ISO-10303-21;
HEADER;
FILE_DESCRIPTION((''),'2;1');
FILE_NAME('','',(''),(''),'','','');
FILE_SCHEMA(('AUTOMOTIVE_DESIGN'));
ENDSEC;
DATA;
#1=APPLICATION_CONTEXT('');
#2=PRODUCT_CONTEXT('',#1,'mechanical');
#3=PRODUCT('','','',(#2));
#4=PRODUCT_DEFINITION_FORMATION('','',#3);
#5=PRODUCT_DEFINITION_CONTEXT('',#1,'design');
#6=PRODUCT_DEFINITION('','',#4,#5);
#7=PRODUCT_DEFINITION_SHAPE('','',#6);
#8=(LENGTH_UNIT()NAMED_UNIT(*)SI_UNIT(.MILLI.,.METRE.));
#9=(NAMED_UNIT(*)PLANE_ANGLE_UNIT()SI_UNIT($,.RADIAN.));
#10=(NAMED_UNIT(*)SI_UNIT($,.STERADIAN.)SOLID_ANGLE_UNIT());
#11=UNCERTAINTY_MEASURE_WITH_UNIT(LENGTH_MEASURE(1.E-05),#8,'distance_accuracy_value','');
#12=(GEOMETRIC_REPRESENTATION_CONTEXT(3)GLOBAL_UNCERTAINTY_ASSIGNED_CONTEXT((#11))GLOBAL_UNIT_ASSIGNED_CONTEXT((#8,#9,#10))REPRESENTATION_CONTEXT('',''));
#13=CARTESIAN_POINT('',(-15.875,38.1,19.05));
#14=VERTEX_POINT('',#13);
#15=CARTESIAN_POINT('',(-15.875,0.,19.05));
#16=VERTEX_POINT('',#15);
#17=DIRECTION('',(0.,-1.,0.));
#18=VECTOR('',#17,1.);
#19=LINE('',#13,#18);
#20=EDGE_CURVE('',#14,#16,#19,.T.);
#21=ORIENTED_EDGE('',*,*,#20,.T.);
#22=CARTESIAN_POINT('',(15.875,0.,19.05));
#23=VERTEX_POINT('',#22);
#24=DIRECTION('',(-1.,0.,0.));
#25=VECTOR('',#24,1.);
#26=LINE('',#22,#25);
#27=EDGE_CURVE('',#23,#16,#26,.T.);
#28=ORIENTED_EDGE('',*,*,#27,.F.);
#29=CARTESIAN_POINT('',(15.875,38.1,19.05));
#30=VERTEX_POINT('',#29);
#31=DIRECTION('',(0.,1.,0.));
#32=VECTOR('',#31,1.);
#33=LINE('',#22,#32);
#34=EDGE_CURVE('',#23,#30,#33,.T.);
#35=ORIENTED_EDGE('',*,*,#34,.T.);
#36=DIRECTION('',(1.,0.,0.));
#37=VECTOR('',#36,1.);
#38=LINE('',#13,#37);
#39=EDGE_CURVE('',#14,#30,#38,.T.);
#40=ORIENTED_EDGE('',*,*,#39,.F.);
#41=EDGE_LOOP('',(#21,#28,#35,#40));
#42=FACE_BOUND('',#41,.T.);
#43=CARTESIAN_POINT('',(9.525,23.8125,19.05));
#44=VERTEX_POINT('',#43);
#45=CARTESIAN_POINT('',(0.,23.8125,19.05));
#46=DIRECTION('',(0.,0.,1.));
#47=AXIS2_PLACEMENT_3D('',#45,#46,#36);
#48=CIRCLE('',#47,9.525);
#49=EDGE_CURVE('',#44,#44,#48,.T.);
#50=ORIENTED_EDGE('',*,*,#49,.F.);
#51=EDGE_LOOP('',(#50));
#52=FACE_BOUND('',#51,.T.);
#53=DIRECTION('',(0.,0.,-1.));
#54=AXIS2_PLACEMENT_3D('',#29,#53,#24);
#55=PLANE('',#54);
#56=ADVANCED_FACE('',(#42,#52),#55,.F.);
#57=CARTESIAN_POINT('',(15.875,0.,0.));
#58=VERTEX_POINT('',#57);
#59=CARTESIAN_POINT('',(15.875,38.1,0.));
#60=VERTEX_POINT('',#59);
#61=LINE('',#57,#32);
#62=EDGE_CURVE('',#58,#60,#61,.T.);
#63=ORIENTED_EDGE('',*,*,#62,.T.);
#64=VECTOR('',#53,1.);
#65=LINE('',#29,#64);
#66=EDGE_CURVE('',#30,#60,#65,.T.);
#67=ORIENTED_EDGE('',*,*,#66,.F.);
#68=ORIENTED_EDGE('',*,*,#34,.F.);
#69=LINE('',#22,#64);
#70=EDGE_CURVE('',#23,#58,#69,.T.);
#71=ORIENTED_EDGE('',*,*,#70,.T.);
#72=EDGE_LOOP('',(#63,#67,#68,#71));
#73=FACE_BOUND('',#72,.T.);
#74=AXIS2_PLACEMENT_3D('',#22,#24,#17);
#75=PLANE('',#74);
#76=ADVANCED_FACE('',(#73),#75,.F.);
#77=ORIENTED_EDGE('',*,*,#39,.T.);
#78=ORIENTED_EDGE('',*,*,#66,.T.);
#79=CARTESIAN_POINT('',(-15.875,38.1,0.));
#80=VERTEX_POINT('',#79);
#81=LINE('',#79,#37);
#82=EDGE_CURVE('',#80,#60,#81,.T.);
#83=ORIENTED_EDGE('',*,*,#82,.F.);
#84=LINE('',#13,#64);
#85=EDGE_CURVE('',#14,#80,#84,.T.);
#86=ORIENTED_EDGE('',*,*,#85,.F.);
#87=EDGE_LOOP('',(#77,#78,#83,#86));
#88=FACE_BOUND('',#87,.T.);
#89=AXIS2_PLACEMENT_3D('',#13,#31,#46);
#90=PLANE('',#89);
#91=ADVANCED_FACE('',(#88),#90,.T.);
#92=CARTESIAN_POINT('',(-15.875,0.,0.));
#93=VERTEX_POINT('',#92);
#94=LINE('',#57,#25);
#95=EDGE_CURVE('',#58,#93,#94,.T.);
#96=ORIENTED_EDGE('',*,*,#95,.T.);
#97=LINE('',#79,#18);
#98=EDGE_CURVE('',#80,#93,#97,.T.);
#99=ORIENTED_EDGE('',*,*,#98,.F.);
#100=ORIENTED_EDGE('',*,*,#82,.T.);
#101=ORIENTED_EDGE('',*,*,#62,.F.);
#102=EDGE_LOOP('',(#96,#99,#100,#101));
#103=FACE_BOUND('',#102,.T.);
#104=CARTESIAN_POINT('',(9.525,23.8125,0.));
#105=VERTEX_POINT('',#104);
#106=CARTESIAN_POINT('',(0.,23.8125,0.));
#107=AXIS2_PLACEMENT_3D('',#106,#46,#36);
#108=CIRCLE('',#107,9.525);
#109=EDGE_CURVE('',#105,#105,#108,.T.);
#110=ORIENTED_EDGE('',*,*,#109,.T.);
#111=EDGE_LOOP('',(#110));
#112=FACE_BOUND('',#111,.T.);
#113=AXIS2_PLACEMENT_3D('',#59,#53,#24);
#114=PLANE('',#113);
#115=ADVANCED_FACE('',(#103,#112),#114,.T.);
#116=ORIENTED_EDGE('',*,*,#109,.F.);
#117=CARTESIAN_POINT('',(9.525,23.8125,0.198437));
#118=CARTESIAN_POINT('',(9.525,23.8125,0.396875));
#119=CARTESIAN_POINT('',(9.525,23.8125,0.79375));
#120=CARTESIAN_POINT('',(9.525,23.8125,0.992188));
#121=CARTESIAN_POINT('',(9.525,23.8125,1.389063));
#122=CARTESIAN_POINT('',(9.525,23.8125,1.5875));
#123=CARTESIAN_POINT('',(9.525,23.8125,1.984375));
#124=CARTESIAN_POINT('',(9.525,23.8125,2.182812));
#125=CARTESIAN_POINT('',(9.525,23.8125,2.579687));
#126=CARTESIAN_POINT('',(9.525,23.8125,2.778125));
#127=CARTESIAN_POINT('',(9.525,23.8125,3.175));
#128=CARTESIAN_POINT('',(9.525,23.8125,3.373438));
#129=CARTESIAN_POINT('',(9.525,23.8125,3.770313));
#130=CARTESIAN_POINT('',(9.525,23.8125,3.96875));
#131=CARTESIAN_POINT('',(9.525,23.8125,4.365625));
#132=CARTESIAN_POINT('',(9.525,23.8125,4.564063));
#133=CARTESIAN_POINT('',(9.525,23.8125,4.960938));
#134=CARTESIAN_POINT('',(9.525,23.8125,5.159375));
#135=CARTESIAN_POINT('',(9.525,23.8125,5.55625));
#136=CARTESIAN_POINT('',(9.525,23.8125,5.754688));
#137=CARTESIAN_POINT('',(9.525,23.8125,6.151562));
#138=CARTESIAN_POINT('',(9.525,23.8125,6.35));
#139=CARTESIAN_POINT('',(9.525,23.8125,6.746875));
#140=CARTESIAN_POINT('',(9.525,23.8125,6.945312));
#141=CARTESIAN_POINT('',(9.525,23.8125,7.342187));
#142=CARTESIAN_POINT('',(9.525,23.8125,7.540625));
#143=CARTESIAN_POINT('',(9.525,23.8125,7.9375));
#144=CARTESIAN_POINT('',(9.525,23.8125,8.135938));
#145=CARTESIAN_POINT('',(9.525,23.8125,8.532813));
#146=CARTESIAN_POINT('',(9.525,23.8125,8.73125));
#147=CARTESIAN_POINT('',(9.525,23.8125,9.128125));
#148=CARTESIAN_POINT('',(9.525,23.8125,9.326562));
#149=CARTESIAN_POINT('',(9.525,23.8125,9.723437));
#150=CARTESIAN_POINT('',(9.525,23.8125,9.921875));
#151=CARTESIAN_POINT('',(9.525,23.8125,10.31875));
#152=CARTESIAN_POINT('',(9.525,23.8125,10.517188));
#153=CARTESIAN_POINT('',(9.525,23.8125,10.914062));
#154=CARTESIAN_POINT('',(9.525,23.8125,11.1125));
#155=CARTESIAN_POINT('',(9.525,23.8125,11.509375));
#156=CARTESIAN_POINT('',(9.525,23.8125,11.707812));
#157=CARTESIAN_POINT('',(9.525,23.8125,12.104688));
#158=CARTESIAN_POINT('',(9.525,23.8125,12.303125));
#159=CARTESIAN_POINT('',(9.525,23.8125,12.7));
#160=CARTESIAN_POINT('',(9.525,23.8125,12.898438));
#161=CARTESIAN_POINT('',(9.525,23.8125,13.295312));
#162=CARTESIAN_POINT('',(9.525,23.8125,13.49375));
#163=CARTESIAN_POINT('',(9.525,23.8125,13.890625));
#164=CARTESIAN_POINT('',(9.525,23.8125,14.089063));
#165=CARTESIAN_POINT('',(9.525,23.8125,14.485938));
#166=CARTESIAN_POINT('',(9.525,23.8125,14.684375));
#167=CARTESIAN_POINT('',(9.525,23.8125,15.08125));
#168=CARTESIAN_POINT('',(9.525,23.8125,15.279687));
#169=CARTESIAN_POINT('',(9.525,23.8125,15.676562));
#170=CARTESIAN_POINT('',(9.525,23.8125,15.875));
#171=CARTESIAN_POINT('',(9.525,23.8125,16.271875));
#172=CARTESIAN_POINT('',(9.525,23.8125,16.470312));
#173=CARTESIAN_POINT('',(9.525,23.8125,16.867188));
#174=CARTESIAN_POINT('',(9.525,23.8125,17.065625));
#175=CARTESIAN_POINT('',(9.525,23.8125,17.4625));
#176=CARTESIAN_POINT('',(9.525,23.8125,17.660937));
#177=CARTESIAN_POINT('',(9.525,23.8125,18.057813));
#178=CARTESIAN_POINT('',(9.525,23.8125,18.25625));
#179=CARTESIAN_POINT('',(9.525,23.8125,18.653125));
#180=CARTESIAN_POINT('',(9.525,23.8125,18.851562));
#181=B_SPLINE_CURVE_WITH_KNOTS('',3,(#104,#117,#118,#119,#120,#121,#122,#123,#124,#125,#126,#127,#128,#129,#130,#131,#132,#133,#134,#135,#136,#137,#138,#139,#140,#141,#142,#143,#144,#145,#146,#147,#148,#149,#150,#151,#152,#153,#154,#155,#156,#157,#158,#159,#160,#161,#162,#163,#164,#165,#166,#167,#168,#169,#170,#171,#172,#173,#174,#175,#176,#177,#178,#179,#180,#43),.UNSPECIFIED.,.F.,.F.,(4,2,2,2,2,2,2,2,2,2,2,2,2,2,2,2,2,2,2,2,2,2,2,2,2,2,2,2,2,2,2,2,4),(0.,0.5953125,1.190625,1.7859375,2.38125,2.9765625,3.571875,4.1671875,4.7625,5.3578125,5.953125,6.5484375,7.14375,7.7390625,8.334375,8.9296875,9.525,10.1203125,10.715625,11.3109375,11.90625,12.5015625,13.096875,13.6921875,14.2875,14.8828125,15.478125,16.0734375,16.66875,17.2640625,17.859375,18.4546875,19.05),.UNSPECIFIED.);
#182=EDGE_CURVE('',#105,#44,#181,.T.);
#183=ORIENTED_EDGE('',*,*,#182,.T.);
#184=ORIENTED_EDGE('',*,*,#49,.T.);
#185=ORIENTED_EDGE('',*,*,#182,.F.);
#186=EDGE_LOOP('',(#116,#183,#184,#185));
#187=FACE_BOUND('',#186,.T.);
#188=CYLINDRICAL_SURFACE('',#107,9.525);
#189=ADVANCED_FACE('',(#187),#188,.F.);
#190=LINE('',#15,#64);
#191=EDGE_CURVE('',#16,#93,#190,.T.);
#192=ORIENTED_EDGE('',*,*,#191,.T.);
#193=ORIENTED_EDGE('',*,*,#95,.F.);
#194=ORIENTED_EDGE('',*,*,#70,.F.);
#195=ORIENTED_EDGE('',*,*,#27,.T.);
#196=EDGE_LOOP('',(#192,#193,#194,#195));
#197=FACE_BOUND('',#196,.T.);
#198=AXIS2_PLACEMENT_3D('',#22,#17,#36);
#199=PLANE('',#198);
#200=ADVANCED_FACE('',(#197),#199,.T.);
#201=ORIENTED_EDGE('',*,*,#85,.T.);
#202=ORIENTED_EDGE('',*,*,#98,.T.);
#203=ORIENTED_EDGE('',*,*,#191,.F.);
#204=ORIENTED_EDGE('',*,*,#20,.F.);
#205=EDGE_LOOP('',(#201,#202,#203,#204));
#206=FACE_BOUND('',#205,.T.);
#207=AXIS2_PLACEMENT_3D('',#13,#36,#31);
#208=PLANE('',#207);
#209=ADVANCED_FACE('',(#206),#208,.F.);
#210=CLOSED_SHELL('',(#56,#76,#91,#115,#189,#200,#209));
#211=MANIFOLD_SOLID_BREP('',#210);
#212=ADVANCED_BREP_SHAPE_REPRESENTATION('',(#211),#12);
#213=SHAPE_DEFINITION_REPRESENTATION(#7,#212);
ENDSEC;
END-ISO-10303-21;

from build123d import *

# Parameters (mm, degrees)
SKETCH1_W          = 31.75
SKETCH1_H          = 38.1
BASE_EXTRUDE_DEPTH = 19.05
SKETCH2_R          = 9.525
CUT_EXTRUDE1_DEPTH = 46.459081876


with BuildPart() as part:
    # Sketch1 → Base-Extrude (new body)
    with BuildSketch(Plane.XY):
        with Locations((0, 19.05)):
            Rectangle(SKETCH1_W, SKETCH1_H)
    extrude(amount=BASE_EXTRUDE_DEPTH)

    # Sketch2 → Cut-Extrude1 (cut, through all)
    with BuildSketch(Plane.XY.offset(19.05)):
        with Locations((0, 23.8125)):
            Circle(SKETCH2_R)
    extrude(amount=-CUT_EXTRUDE1_DEPTH, mode=Mode.SUBTRACT)


solid = part.part
